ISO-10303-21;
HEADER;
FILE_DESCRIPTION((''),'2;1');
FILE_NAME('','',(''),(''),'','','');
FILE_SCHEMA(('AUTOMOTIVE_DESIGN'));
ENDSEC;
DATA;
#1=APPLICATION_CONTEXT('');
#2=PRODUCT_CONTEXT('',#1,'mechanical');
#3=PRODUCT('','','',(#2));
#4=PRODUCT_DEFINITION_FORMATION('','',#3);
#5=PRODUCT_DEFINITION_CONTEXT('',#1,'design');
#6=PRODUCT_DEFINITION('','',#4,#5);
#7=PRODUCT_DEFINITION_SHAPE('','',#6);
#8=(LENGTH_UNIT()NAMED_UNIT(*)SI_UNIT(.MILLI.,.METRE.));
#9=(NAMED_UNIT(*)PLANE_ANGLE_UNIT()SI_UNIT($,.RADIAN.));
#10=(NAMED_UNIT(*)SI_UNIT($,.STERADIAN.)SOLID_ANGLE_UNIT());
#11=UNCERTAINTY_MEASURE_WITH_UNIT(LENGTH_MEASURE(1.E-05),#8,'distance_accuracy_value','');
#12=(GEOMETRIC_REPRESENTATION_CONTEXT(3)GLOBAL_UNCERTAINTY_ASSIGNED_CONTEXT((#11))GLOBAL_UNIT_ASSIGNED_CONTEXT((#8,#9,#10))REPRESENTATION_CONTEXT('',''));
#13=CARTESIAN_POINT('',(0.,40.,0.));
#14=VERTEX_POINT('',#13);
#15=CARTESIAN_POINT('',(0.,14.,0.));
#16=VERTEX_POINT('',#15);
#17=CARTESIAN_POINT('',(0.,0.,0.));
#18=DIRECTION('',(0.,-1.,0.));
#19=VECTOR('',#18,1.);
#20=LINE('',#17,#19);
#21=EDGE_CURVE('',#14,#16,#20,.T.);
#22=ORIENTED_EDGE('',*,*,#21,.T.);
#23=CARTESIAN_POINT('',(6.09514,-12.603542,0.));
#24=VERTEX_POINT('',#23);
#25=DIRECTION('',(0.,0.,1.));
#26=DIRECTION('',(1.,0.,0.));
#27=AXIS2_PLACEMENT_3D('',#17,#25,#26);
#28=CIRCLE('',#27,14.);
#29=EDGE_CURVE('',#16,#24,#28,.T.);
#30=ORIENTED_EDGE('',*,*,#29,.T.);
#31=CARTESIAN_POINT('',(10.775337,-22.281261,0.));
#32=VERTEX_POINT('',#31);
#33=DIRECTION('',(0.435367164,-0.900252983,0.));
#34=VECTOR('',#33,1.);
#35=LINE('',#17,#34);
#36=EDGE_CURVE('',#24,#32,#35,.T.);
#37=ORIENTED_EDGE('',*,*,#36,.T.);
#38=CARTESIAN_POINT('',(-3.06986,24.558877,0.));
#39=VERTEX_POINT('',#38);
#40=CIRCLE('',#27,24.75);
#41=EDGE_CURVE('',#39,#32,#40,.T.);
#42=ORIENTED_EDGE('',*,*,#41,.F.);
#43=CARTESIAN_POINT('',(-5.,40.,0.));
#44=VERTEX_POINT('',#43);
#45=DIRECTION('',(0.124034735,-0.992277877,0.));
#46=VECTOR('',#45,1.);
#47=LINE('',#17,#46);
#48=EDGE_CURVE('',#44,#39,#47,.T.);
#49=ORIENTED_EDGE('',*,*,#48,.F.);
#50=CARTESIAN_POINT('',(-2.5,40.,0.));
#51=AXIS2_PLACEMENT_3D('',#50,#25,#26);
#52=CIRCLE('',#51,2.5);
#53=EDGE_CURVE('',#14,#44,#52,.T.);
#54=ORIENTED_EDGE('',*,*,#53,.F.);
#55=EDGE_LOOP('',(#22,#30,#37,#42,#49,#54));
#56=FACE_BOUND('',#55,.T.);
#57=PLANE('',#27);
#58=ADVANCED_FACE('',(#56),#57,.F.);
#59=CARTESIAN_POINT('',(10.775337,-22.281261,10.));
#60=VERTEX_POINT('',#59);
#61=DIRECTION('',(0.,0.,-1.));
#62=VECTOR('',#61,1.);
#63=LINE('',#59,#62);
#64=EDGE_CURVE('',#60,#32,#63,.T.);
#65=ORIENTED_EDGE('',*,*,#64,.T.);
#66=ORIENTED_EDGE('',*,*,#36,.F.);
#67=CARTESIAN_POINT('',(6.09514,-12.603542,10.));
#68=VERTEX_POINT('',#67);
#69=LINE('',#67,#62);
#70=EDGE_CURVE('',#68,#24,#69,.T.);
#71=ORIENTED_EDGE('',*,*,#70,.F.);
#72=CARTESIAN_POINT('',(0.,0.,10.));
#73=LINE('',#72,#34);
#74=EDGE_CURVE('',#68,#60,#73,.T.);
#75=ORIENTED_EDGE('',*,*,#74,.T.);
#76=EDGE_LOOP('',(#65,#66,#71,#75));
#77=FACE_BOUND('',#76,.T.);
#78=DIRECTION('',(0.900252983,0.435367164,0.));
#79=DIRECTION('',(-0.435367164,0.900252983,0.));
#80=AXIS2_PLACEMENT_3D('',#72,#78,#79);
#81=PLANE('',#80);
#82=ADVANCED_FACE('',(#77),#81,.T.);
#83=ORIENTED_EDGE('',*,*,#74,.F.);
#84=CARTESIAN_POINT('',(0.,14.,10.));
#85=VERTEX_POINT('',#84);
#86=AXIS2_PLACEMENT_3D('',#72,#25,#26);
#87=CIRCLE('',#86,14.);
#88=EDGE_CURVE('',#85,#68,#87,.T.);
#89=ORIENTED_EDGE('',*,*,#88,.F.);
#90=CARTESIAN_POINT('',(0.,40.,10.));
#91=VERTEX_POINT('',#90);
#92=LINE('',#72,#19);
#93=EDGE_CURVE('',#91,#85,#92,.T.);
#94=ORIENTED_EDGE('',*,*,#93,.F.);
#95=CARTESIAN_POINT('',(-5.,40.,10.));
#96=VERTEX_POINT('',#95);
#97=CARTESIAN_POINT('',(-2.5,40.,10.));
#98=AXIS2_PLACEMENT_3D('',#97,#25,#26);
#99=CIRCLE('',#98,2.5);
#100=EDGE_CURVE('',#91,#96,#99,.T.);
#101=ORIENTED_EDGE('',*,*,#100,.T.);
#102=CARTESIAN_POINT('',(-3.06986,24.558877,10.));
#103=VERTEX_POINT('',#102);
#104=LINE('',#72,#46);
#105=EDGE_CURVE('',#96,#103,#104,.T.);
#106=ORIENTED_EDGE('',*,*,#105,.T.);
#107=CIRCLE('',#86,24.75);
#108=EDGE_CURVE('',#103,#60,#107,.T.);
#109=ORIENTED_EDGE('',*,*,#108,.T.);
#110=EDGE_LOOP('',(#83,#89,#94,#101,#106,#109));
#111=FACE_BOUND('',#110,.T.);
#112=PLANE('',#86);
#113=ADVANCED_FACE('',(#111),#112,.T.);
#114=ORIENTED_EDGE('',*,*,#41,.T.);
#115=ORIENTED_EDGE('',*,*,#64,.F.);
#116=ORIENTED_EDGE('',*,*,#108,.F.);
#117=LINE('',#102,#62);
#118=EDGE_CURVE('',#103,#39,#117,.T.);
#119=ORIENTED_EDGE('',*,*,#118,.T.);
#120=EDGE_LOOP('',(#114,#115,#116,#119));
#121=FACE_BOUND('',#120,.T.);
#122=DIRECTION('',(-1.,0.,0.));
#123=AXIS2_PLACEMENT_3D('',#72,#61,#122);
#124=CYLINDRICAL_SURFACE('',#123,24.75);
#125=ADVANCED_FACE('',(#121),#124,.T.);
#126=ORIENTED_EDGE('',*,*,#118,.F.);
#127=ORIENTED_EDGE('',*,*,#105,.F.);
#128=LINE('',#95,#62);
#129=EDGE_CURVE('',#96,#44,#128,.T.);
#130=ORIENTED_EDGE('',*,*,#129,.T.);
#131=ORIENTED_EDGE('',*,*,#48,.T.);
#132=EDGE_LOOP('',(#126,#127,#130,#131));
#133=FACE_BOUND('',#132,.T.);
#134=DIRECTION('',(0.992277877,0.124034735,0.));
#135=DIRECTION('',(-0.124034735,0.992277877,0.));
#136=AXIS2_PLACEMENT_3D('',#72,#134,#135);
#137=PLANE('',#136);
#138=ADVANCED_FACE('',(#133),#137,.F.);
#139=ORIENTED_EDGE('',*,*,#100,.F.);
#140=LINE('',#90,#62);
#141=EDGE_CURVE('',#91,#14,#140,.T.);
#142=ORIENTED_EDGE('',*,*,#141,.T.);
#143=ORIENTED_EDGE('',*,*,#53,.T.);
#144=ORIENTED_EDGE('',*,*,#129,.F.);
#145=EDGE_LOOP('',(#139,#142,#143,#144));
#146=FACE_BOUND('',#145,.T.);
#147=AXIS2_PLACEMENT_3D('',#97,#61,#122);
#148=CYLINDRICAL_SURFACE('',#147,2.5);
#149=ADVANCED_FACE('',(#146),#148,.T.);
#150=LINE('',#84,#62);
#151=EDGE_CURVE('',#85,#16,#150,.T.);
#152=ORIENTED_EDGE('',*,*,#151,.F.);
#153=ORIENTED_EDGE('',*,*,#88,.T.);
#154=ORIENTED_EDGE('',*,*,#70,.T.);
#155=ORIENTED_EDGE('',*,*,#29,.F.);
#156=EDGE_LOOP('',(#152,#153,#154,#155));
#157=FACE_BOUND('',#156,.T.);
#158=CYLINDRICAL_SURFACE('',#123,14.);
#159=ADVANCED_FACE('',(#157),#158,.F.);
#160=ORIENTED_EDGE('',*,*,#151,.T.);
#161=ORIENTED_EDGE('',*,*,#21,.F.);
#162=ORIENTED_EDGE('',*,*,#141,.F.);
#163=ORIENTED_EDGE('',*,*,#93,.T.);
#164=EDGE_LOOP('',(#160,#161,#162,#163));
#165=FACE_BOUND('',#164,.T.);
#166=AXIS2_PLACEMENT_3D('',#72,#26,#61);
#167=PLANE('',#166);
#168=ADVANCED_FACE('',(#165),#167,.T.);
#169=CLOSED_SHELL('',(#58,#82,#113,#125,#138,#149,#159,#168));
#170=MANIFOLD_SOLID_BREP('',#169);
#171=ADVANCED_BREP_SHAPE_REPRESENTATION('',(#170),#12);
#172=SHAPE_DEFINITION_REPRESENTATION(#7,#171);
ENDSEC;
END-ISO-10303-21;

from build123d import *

# Parameters (mm, degrees)
RESSALTO_EXTRUS_O1_DEPTH = 10


with BuildPart() as part:
    # Esboço1 → Ressalto-extrusão1 (new body)
    with BuildSketch(Plane.XY):
        with BuildLine():
            Line((0, 14), (0, 20))
            Line((0, 20), (0, 40))
            ThreePointArc((0, 40), (-2.5, 42.5), (-5, 40))
            Line((-5, 40), (-4.923076923, 39.384615385))
            Line((-4.923076923, 39.384615385), (-3.069859681, 24.558877449))
            ThreePointArc((-3.069859681, 24.558877449), (-23.734852986, -7.015643501), (10.775337309, -22.281261317))
            Line((10.775337309, -22.281261317), (6.095140296, -12.603541755))
            ThreePointArc((6.095140296, -12.603541755), (-13.646420494, -3.126532858), (0, 14))
        make_face()
    extrude(amount=RESSALTO_EXTRUS_O1_DEPTH)


solid = part.part
